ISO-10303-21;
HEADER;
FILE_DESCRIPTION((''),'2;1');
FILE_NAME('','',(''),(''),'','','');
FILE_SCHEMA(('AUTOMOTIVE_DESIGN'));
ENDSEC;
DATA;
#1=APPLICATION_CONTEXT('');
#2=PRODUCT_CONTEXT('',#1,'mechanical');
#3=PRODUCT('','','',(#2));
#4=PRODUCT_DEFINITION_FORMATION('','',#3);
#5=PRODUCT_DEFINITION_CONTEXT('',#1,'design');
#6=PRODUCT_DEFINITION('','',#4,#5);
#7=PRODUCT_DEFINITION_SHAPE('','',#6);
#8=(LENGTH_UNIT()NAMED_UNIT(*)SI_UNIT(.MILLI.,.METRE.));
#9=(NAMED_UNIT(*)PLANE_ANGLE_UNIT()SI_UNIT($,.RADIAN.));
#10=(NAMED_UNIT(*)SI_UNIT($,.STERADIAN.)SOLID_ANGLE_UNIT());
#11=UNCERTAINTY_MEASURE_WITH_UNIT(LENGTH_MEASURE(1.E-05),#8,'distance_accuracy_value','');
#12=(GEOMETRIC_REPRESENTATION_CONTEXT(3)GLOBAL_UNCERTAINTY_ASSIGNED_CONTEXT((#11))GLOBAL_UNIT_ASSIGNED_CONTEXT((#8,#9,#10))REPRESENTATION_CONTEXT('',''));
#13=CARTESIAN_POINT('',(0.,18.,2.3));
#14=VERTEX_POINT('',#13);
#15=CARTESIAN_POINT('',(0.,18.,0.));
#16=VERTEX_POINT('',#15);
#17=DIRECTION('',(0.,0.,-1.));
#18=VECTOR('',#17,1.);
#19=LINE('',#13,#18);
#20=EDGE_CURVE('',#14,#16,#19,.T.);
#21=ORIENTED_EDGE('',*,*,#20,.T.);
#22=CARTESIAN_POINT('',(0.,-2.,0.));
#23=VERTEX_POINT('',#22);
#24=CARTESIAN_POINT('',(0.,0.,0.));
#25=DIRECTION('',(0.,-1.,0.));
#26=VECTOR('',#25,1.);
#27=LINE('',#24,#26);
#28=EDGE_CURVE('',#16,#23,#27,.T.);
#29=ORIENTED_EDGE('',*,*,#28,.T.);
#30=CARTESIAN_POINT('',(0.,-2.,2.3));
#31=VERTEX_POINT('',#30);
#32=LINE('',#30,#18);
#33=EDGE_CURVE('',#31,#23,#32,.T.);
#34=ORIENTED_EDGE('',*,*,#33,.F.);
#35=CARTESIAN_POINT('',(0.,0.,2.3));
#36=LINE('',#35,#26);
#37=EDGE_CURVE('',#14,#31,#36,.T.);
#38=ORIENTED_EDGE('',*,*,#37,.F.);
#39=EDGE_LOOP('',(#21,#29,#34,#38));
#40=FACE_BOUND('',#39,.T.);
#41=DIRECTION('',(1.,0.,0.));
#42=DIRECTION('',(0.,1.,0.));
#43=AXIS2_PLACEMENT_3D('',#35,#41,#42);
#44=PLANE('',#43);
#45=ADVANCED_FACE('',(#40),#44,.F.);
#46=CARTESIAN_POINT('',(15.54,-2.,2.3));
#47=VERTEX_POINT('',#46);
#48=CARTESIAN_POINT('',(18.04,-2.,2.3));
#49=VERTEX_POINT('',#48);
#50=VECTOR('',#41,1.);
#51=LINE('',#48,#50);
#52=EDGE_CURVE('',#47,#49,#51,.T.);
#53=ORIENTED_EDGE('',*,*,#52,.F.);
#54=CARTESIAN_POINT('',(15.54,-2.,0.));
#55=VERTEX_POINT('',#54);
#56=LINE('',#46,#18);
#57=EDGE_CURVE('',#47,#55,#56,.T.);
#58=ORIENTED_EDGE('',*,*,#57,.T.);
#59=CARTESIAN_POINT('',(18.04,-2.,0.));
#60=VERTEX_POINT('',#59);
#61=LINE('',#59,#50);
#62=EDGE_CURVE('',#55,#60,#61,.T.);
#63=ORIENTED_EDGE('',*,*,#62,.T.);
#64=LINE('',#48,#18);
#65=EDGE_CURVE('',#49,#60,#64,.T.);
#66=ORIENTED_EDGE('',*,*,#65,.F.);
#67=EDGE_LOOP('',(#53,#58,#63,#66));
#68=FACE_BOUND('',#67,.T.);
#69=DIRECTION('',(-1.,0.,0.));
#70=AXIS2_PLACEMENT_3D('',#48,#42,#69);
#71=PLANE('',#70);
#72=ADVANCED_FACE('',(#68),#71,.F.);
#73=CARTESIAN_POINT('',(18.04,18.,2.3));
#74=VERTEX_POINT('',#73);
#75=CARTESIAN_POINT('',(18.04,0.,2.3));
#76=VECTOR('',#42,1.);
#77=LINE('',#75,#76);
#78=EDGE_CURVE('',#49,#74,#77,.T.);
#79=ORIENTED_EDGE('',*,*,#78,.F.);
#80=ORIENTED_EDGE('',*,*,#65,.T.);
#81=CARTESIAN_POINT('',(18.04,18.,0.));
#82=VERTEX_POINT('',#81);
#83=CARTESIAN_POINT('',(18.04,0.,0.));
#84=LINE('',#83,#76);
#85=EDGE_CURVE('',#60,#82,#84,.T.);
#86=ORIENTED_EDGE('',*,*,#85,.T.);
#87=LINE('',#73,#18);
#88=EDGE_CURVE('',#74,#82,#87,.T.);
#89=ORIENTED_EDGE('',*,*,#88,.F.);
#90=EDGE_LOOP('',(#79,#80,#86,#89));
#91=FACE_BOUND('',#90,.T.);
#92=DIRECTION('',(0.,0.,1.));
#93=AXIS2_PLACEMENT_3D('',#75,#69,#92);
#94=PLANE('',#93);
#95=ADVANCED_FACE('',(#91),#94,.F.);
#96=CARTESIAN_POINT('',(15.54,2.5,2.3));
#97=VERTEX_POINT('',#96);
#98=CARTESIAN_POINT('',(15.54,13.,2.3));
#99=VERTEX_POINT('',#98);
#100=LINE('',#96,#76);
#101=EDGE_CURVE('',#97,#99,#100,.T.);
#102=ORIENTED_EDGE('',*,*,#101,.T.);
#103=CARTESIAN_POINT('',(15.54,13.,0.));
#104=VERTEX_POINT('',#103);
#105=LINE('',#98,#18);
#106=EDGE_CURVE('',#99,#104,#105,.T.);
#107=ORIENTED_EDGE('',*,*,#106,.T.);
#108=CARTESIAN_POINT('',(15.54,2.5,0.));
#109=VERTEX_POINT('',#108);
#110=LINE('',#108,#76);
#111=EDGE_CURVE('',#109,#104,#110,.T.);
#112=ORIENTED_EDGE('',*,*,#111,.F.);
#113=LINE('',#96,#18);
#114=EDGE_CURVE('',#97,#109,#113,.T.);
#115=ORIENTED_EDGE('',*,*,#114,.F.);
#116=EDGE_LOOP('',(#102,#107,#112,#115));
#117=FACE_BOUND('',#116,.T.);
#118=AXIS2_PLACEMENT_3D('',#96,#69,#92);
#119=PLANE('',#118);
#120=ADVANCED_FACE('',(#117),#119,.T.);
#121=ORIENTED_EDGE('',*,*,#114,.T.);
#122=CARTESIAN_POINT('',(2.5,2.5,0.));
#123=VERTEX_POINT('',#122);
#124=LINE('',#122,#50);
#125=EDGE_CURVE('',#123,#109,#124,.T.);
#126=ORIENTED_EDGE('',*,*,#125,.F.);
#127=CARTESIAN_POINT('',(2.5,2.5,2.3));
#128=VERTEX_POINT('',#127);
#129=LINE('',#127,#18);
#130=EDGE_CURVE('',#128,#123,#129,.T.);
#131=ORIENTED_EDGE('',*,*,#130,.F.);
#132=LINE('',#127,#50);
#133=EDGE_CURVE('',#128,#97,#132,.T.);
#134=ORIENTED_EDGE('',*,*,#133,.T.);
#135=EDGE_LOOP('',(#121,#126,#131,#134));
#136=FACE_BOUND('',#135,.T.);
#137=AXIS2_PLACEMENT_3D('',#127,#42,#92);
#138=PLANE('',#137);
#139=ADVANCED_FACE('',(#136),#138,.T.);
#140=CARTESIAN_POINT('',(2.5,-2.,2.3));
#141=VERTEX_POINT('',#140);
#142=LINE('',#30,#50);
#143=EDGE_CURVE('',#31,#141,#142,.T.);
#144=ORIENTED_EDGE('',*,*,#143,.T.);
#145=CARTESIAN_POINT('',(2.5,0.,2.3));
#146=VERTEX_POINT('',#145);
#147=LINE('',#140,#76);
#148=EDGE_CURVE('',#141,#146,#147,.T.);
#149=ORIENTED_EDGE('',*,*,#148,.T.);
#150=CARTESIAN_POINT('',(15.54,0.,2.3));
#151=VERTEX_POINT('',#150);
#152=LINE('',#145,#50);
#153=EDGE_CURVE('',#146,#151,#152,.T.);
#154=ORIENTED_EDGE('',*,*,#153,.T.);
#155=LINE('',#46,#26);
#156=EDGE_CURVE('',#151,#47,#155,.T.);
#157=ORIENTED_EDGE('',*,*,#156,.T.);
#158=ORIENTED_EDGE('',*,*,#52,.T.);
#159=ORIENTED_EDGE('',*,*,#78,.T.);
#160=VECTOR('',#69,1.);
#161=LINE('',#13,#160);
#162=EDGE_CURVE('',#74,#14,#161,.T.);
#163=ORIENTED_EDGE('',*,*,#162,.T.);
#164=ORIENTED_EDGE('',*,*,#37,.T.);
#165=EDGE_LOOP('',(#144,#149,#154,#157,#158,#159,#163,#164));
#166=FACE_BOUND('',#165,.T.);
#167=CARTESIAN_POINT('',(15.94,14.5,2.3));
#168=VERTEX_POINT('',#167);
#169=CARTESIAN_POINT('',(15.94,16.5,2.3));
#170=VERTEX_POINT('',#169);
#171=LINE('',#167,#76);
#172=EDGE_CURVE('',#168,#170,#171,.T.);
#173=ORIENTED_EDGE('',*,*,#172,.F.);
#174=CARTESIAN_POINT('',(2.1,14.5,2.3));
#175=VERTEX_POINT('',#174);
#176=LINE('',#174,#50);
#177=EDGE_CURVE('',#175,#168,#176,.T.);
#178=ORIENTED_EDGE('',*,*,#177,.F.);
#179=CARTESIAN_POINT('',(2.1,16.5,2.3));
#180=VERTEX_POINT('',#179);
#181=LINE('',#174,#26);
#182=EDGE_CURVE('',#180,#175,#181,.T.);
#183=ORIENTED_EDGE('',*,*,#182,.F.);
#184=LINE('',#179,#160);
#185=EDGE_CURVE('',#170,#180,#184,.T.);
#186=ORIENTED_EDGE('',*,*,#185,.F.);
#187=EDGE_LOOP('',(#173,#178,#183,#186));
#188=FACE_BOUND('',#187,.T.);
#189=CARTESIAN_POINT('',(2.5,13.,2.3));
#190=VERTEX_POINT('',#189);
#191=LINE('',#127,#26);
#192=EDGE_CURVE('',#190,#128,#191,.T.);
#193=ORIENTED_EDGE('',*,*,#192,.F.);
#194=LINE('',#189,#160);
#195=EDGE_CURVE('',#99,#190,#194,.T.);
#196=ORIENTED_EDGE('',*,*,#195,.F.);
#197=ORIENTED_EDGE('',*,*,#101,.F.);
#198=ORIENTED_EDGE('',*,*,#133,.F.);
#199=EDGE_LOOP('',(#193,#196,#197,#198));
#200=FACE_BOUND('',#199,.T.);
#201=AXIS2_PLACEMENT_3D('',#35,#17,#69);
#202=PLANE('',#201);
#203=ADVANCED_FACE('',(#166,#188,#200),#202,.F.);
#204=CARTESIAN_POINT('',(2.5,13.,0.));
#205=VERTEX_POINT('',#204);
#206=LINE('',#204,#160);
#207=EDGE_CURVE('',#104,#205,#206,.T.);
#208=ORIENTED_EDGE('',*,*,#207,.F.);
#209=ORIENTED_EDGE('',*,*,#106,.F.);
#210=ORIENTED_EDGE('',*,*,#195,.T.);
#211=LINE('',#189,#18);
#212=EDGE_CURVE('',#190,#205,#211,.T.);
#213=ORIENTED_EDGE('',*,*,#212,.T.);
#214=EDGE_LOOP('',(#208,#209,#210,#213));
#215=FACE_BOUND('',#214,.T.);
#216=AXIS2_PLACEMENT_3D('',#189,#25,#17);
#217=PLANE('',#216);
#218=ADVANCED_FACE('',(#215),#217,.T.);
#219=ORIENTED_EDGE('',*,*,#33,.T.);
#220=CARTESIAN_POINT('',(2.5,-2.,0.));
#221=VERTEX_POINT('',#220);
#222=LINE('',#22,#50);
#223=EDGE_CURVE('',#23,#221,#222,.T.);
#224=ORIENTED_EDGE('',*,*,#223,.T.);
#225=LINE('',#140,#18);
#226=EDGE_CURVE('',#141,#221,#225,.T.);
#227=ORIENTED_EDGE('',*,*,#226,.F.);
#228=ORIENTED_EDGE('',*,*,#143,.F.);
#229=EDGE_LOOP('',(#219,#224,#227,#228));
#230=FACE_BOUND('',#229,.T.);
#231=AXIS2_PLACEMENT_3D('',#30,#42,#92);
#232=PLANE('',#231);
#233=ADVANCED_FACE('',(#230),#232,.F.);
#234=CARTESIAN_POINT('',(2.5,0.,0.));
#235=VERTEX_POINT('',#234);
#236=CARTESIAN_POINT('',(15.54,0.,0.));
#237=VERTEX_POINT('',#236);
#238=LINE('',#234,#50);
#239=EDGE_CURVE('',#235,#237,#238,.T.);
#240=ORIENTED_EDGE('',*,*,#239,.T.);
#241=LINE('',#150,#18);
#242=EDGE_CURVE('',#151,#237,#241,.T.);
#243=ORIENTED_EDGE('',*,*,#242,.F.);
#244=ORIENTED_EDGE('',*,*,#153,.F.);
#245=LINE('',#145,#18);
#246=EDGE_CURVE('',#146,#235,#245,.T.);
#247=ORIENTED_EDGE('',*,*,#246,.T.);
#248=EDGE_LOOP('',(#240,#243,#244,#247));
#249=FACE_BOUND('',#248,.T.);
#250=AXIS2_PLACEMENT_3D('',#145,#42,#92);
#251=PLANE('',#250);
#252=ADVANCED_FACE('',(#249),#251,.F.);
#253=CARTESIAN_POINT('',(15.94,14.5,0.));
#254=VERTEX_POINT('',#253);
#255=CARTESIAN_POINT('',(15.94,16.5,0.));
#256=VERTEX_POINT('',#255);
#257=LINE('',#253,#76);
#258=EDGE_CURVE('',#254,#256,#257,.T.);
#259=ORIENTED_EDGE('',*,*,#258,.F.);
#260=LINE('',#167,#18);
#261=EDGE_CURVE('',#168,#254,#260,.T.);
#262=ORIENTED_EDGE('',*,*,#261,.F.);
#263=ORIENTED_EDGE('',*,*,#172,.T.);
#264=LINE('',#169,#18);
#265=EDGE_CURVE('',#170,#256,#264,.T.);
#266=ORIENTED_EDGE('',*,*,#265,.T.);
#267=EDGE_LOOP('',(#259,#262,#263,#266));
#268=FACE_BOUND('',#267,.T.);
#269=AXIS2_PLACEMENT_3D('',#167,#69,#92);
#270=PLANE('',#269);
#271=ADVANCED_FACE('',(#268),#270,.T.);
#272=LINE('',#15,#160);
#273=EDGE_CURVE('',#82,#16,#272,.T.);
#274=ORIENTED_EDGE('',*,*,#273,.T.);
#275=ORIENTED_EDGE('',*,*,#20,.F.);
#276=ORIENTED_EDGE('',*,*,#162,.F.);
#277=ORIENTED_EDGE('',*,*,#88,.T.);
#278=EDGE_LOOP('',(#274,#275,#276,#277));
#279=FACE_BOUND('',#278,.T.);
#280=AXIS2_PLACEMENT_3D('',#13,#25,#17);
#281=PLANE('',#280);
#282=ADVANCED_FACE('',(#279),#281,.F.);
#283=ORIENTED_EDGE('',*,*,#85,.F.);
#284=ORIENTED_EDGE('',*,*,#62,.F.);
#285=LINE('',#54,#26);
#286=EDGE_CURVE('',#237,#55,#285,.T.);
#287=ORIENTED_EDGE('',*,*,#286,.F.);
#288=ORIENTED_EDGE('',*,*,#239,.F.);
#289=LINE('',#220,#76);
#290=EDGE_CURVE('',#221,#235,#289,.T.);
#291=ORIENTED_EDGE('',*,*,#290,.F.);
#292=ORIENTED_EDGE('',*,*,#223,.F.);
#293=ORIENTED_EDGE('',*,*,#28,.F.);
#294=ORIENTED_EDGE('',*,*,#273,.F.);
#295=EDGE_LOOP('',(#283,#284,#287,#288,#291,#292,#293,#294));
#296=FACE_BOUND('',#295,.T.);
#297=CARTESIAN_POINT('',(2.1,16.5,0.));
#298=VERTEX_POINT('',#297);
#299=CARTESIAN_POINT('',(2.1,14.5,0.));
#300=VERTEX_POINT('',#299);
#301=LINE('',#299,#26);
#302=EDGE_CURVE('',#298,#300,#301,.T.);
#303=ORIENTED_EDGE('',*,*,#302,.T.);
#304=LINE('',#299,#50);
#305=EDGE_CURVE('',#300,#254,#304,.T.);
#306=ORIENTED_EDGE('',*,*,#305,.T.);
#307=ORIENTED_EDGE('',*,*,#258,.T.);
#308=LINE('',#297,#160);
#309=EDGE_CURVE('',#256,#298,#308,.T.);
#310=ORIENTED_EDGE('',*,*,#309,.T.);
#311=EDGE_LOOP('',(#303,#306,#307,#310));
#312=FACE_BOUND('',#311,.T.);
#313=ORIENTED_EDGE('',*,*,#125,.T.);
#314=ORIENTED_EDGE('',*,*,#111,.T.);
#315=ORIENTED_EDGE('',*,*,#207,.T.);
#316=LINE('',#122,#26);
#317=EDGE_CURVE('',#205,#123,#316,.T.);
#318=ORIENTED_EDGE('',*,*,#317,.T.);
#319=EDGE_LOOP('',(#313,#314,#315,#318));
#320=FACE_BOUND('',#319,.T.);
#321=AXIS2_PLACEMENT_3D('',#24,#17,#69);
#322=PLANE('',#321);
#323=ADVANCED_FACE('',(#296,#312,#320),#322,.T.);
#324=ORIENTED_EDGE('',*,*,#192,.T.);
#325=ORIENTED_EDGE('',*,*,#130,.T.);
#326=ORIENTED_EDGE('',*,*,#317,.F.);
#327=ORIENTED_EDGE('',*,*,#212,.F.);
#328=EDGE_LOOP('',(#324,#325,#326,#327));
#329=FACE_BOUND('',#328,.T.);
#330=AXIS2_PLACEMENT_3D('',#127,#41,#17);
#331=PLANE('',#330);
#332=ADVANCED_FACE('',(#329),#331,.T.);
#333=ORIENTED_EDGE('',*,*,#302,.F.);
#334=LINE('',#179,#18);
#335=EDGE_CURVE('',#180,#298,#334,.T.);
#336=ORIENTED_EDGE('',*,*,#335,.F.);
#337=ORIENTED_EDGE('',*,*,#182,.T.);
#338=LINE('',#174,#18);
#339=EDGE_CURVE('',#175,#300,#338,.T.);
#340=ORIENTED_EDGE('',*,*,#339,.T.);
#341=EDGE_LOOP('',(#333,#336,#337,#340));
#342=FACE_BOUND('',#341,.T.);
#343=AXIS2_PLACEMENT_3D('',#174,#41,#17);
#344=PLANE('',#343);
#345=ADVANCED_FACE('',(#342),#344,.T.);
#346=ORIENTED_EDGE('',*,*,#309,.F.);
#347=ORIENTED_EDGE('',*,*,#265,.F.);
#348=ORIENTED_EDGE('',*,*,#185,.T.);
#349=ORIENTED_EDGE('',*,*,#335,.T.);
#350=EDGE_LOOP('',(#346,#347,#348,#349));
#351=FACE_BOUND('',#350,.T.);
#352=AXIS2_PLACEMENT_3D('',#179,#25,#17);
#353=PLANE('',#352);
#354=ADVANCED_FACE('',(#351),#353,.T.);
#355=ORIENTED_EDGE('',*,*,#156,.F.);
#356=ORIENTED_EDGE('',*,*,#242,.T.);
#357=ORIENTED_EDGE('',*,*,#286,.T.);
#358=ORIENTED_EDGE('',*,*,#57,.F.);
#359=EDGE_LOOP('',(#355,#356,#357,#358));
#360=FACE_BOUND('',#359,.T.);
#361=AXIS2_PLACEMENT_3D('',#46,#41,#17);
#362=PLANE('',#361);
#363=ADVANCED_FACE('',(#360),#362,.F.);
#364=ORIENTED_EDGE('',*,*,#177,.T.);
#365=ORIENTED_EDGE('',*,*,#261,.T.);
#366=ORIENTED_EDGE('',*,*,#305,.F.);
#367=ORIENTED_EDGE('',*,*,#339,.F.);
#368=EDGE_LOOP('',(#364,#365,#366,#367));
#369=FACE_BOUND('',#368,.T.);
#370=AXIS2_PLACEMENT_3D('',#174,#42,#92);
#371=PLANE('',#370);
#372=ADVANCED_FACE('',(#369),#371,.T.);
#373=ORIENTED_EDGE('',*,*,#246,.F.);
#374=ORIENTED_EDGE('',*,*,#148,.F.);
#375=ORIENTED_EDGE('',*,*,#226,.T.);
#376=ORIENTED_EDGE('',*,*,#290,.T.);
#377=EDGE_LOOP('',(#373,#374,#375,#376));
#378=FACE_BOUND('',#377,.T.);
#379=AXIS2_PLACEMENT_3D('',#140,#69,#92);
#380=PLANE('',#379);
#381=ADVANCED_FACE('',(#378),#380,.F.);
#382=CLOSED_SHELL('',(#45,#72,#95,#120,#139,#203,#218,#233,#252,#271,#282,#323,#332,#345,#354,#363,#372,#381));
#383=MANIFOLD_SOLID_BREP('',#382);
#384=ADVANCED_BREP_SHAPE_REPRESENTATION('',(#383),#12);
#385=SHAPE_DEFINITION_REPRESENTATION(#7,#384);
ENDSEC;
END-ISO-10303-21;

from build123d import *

# Parameters (mm, degrees)
SKETCH1_W           = 13.04
SKETCH1_H           = 10.5
SKETCH1_W_2         = 13.84
SKETCH1_H_2         = 2
BOSS_EXTRUDE1_DEPTH = 2.3


with BuildPart() as part:
    # Sketch1 → Boss-Extrude1 (new body)
    with BuildSketch(Plane.XY):
        Polygon((0, 0), (0, -2), (2.5, -2), (2.5, 0), (15.54, 0), (15.54, -2), (18.04, -2), (18.04, 0), (18.04, 18), (0, 18), align=None)
        with Locations((9.02, 7.75)):
            Rectangle(SKETCH1_W, SKETCH1_H, mode=Mode.SUBTRACT)
        with Locations((9.02, 15.5)):
            Rectangle(SKETCH1_W_2, SKETCH1_H_2, mode=Mode.SUBTRACT)
    extrude(amount=BOSS_EXTRUDE1_DEPTH)


solid = part.part
